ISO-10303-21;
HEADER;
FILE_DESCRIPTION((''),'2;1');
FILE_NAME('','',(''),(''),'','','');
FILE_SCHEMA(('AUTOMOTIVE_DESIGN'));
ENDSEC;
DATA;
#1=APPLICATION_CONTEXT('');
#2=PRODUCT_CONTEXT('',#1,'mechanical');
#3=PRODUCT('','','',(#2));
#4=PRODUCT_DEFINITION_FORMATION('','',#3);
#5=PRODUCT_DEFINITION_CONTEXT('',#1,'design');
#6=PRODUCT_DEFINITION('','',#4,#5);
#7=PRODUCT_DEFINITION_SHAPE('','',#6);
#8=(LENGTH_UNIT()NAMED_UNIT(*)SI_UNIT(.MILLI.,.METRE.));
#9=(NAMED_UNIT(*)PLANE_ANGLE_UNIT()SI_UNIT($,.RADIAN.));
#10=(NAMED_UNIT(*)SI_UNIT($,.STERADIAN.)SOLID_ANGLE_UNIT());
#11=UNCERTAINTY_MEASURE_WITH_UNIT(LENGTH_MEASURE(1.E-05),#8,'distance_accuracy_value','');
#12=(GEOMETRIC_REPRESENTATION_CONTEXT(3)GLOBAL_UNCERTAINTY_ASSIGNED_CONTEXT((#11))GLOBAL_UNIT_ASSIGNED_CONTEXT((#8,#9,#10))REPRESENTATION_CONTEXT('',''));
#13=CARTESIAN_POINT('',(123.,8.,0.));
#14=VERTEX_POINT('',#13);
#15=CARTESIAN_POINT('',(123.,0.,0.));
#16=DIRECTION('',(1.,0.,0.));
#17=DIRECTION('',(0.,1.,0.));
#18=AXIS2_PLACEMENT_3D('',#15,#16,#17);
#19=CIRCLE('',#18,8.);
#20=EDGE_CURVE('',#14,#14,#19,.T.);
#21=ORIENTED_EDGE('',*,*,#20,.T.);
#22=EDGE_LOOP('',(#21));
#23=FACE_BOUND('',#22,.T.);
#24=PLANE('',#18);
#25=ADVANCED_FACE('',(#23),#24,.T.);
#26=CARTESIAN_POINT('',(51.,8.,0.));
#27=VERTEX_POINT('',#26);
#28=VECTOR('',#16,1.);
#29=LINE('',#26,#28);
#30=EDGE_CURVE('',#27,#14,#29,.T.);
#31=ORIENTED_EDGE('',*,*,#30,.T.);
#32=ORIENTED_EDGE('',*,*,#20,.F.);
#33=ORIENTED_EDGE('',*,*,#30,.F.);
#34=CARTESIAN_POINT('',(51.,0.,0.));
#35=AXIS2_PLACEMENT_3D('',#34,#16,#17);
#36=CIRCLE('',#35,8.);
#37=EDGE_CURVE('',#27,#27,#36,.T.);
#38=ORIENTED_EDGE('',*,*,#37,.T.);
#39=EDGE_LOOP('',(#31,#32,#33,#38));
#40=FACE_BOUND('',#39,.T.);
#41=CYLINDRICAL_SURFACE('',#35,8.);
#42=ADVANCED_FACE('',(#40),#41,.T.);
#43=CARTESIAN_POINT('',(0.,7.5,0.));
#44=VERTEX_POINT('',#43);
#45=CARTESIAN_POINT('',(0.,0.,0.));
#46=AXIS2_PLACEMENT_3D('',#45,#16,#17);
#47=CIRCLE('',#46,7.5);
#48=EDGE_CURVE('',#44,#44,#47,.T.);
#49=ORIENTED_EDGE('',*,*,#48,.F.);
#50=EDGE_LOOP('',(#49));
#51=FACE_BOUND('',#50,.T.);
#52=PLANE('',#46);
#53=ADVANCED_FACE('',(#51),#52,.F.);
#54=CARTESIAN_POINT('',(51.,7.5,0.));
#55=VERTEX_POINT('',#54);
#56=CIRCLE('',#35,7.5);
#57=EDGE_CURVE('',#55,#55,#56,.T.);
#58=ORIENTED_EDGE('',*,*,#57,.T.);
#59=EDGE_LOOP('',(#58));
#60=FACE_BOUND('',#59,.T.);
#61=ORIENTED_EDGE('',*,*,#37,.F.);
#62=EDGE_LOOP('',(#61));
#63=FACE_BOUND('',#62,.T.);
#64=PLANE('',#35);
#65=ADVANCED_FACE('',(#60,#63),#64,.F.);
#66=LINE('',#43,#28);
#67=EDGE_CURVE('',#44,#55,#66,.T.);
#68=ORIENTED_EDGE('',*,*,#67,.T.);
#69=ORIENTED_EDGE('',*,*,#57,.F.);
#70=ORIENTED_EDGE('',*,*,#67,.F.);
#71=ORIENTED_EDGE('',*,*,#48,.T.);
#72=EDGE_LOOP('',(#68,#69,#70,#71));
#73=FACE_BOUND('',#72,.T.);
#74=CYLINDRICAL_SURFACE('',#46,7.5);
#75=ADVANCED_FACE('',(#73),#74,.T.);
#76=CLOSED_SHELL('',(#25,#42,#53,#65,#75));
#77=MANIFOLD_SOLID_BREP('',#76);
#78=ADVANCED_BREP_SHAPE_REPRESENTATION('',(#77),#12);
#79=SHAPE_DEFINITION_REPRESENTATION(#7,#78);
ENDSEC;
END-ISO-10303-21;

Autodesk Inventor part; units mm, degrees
ref_plane "Start Plane" through (0, 0, 0) normal (1, 0, 0) x (0, 1, 0)
ref_plane "XZ Plane" through (0, 0, 0) normal (0, 1, 0) x (-1, 0, 0)
ref_plane "XY Plane" through (0, 0, 0) normal (0, 0, 1) x (1, 0, 0)
sketch "Main Sketch" plane through (0, 0, 0) normal (0, 0, 1) x (1, 0, 0)
  line L0 (0, 0) -> (123, 0)
  line L1 (0, 0) -> (0, 7.5)
  line L2 (0, 7.5) -> (51, 7.5)
  line L3 (51, 7.5) -> (51, 8)
  line L4 (123, 8) -> (123, 0)
  line L5 (51, 8) -> (123, 8)
  dimension "d3" = 15
  dimension "d4" = 16
revolve "Revolution1" add sketch "Main Sketch" angle 360 about axis through (0, 0, 0) along (1, 0, 0)
equation "\"Length\" = 123"
properties part number "Shaft" material "Steel"
